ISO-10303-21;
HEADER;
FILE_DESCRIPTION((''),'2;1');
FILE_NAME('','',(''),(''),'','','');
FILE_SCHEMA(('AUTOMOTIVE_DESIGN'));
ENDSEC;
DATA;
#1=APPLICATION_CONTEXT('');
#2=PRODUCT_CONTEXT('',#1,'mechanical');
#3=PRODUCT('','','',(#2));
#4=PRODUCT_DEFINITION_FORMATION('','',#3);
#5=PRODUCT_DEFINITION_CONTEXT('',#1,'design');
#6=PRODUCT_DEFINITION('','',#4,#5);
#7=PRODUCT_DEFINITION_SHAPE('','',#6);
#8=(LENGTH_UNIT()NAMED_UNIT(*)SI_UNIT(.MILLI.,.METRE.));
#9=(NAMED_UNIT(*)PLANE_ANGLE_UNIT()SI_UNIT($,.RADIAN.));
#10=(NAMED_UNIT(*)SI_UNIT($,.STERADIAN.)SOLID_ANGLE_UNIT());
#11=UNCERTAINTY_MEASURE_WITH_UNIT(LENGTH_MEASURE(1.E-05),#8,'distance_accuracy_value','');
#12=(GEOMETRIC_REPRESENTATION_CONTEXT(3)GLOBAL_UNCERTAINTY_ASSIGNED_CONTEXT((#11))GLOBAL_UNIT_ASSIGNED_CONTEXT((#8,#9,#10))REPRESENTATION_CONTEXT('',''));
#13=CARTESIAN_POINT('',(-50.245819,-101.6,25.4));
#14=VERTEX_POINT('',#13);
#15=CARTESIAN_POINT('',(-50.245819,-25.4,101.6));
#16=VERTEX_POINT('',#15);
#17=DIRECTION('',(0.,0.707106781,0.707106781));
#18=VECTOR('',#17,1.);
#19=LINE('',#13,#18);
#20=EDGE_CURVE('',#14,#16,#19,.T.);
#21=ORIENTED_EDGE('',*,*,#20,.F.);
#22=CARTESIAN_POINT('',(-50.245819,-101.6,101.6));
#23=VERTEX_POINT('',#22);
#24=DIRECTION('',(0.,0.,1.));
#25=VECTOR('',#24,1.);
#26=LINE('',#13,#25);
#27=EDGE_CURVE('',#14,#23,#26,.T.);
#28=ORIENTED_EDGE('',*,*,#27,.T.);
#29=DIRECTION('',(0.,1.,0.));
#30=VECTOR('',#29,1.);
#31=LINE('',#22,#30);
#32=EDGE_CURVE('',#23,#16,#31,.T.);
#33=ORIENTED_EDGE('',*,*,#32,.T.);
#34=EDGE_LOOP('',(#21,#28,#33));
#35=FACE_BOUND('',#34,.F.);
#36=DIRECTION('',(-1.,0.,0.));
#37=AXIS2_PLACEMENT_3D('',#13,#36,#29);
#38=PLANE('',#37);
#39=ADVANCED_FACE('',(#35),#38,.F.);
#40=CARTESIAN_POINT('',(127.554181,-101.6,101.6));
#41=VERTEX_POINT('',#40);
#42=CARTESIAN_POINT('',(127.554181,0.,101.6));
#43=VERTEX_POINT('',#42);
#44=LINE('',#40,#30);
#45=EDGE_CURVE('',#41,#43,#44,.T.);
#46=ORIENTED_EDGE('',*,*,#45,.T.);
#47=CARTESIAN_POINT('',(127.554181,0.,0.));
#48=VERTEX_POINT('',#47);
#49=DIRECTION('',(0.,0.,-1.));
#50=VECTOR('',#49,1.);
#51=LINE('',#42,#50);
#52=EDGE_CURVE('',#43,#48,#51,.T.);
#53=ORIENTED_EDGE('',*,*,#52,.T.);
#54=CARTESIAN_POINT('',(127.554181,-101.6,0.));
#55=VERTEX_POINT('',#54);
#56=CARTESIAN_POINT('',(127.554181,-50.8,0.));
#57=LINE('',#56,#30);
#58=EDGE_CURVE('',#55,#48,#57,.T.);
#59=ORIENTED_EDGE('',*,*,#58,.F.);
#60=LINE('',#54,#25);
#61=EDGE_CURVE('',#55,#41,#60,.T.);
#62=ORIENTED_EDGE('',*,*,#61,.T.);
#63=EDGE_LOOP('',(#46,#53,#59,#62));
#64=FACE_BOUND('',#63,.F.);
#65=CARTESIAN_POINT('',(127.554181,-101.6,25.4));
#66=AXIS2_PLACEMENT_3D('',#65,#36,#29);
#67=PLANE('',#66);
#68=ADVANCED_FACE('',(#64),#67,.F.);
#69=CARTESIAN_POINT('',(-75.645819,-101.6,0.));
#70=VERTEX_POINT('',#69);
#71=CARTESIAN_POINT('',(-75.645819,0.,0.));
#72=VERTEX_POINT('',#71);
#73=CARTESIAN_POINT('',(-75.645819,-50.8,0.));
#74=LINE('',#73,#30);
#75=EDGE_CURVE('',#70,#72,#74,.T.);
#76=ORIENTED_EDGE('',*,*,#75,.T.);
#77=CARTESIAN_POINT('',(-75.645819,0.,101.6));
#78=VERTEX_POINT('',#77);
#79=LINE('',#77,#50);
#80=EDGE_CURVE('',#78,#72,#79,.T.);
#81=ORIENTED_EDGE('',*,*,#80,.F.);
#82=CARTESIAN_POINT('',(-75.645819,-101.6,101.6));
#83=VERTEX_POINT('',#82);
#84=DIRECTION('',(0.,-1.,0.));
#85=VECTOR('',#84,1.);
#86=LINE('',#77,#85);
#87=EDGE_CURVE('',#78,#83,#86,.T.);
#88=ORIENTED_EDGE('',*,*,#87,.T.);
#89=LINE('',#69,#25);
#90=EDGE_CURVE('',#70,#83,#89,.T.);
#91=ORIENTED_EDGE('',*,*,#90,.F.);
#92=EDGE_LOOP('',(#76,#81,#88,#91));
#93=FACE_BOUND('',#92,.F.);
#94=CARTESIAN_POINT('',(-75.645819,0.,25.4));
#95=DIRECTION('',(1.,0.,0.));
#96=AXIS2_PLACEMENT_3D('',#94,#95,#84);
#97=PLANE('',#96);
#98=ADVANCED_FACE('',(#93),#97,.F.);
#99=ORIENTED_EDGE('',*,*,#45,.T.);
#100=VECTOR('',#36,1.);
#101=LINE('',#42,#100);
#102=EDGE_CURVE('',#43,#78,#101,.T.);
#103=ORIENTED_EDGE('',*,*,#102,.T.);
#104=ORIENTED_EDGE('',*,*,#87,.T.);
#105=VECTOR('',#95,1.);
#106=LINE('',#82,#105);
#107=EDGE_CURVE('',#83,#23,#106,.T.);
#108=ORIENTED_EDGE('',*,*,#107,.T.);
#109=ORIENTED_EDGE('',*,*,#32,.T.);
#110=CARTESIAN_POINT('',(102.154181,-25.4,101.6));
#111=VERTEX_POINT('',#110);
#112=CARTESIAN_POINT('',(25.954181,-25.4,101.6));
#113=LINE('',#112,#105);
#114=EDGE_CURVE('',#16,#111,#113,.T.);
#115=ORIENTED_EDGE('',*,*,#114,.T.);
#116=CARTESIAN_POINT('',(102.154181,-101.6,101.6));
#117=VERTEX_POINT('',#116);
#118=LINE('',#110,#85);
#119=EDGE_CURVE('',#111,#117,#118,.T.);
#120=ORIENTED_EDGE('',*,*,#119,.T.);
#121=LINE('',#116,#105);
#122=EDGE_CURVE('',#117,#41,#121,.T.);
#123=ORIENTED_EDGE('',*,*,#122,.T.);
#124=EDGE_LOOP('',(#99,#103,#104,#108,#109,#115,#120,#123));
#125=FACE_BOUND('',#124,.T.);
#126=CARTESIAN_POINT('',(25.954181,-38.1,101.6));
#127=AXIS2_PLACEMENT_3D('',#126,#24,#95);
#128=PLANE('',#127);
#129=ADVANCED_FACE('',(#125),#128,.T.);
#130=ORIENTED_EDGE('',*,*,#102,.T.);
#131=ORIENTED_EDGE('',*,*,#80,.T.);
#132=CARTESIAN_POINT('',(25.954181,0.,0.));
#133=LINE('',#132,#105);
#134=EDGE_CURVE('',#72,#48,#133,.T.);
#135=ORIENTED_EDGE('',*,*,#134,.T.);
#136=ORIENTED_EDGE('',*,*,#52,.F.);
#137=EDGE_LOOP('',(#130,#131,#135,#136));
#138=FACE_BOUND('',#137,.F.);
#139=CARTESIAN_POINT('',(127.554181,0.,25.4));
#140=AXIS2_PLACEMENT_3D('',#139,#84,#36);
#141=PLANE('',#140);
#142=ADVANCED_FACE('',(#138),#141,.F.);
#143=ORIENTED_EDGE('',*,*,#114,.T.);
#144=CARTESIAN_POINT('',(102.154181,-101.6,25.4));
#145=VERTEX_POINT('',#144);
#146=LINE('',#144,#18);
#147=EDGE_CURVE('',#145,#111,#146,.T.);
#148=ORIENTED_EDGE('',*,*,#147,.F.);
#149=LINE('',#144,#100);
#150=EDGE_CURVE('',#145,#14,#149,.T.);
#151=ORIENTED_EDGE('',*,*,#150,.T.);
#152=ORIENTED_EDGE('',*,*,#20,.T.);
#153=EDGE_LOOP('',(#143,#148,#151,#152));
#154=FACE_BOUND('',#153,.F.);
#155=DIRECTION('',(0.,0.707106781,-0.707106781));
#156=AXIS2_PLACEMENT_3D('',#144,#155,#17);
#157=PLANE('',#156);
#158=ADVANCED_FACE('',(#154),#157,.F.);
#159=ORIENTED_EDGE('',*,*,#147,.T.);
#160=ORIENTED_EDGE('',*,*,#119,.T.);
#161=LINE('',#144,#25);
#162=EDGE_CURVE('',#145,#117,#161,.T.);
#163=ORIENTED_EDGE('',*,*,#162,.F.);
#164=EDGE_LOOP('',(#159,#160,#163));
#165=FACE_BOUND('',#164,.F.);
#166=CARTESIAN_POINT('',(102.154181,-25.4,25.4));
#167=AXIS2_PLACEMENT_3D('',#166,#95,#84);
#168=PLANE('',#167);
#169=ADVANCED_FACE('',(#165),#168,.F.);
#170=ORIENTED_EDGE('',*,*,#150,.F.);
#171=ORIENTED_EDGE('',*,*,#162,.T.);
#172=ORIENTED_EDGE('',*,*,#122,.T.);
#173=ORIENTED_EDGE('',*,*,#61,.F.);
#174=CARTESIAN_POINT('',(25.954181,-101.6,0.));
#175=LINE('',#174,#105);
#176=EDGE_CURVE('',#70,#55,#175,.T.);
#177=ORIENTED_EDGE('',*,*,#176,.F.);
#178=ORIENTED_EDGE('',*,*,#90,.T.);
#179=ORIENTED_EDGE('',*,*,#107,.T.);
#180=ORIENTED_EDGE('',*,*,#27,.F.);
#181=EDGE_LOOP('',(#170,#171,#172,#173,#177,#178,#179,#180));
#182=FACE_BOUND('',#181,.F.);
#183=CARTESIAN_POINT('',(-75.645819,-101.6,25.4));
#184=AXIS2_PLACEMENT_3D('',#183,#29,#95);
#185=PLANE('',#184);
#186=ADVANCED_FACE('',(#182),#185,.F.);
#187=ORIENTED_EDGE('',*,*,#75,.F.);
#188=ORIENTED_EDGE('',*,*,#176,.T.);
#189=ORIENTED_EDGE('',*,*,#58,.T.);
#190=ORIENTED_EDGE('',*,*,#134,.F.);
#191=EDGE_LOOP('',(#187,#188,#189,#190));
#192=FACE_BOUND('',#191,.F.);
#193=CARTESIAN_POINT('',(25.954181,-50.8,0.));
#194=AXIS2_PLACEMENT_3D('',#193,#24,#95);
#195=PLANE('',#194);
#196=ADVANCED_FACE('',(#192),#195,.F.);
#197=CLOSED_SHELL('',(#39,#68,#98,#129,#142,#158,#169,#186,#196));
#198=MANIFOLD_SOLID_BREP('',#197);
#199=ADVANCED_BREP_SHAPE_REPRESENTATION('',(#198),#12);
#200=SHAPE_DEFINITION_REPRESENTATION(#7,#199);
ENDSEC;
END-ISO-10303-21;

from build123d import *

# Parameters (mm, degrees)
F0_W     = 203.2
F0_H     = 101.6
F1_DEPTH = 25.4
F2_W     = 152.4
F2_H     = 76.2
F3_DEPTH = 76.2
F5_DEPTH = 152.4
F7_DEPTH = 76.2


with BuildPart() as f1:
    # F0 (on Top) → F1 (new body)
    with BuildSketch(Plane.XY):
        with Locations((25.954181, -50.8)):
            Rectangle(F0_W, F0_H)
    extrude(amount=F1_DEPTH)

    # F2 (on face) → F3 (join)
    with BuildSketch(Plane.XY.offset(25.4)):
        with Locations((25.954181, -63.5)):
            Rectangle(F2_W, F2_H)
    extrude(amount=F3_DEPTH)

    # F4 (on face) → F5 (cut, through all)
    with BuildSketch(Plane.YZ.offset(102.154181)):
        Polygon((-101.6, 101.6), (-101.6, 25.4), (-25.4, 101.6), align=None)
    extrude(amount=-F5_DEPTH, mode=Mode.SUBTRACT)

    # F6 (on face) → F7 (join)
    with BuildSketch(Plane.XY.offset(25.4)):
        Polygon((-75.645819, 0), (-75.645819, -101.6), (-50.245819, -101.6), (-50.245819, -25.4), (102.154181, -25.4), (102.154181, -101.6), (127.554181, -101.6), (127.554181, 0), align=None)
    extrude(amount=F7_DEPTH)


solid = f1.part
